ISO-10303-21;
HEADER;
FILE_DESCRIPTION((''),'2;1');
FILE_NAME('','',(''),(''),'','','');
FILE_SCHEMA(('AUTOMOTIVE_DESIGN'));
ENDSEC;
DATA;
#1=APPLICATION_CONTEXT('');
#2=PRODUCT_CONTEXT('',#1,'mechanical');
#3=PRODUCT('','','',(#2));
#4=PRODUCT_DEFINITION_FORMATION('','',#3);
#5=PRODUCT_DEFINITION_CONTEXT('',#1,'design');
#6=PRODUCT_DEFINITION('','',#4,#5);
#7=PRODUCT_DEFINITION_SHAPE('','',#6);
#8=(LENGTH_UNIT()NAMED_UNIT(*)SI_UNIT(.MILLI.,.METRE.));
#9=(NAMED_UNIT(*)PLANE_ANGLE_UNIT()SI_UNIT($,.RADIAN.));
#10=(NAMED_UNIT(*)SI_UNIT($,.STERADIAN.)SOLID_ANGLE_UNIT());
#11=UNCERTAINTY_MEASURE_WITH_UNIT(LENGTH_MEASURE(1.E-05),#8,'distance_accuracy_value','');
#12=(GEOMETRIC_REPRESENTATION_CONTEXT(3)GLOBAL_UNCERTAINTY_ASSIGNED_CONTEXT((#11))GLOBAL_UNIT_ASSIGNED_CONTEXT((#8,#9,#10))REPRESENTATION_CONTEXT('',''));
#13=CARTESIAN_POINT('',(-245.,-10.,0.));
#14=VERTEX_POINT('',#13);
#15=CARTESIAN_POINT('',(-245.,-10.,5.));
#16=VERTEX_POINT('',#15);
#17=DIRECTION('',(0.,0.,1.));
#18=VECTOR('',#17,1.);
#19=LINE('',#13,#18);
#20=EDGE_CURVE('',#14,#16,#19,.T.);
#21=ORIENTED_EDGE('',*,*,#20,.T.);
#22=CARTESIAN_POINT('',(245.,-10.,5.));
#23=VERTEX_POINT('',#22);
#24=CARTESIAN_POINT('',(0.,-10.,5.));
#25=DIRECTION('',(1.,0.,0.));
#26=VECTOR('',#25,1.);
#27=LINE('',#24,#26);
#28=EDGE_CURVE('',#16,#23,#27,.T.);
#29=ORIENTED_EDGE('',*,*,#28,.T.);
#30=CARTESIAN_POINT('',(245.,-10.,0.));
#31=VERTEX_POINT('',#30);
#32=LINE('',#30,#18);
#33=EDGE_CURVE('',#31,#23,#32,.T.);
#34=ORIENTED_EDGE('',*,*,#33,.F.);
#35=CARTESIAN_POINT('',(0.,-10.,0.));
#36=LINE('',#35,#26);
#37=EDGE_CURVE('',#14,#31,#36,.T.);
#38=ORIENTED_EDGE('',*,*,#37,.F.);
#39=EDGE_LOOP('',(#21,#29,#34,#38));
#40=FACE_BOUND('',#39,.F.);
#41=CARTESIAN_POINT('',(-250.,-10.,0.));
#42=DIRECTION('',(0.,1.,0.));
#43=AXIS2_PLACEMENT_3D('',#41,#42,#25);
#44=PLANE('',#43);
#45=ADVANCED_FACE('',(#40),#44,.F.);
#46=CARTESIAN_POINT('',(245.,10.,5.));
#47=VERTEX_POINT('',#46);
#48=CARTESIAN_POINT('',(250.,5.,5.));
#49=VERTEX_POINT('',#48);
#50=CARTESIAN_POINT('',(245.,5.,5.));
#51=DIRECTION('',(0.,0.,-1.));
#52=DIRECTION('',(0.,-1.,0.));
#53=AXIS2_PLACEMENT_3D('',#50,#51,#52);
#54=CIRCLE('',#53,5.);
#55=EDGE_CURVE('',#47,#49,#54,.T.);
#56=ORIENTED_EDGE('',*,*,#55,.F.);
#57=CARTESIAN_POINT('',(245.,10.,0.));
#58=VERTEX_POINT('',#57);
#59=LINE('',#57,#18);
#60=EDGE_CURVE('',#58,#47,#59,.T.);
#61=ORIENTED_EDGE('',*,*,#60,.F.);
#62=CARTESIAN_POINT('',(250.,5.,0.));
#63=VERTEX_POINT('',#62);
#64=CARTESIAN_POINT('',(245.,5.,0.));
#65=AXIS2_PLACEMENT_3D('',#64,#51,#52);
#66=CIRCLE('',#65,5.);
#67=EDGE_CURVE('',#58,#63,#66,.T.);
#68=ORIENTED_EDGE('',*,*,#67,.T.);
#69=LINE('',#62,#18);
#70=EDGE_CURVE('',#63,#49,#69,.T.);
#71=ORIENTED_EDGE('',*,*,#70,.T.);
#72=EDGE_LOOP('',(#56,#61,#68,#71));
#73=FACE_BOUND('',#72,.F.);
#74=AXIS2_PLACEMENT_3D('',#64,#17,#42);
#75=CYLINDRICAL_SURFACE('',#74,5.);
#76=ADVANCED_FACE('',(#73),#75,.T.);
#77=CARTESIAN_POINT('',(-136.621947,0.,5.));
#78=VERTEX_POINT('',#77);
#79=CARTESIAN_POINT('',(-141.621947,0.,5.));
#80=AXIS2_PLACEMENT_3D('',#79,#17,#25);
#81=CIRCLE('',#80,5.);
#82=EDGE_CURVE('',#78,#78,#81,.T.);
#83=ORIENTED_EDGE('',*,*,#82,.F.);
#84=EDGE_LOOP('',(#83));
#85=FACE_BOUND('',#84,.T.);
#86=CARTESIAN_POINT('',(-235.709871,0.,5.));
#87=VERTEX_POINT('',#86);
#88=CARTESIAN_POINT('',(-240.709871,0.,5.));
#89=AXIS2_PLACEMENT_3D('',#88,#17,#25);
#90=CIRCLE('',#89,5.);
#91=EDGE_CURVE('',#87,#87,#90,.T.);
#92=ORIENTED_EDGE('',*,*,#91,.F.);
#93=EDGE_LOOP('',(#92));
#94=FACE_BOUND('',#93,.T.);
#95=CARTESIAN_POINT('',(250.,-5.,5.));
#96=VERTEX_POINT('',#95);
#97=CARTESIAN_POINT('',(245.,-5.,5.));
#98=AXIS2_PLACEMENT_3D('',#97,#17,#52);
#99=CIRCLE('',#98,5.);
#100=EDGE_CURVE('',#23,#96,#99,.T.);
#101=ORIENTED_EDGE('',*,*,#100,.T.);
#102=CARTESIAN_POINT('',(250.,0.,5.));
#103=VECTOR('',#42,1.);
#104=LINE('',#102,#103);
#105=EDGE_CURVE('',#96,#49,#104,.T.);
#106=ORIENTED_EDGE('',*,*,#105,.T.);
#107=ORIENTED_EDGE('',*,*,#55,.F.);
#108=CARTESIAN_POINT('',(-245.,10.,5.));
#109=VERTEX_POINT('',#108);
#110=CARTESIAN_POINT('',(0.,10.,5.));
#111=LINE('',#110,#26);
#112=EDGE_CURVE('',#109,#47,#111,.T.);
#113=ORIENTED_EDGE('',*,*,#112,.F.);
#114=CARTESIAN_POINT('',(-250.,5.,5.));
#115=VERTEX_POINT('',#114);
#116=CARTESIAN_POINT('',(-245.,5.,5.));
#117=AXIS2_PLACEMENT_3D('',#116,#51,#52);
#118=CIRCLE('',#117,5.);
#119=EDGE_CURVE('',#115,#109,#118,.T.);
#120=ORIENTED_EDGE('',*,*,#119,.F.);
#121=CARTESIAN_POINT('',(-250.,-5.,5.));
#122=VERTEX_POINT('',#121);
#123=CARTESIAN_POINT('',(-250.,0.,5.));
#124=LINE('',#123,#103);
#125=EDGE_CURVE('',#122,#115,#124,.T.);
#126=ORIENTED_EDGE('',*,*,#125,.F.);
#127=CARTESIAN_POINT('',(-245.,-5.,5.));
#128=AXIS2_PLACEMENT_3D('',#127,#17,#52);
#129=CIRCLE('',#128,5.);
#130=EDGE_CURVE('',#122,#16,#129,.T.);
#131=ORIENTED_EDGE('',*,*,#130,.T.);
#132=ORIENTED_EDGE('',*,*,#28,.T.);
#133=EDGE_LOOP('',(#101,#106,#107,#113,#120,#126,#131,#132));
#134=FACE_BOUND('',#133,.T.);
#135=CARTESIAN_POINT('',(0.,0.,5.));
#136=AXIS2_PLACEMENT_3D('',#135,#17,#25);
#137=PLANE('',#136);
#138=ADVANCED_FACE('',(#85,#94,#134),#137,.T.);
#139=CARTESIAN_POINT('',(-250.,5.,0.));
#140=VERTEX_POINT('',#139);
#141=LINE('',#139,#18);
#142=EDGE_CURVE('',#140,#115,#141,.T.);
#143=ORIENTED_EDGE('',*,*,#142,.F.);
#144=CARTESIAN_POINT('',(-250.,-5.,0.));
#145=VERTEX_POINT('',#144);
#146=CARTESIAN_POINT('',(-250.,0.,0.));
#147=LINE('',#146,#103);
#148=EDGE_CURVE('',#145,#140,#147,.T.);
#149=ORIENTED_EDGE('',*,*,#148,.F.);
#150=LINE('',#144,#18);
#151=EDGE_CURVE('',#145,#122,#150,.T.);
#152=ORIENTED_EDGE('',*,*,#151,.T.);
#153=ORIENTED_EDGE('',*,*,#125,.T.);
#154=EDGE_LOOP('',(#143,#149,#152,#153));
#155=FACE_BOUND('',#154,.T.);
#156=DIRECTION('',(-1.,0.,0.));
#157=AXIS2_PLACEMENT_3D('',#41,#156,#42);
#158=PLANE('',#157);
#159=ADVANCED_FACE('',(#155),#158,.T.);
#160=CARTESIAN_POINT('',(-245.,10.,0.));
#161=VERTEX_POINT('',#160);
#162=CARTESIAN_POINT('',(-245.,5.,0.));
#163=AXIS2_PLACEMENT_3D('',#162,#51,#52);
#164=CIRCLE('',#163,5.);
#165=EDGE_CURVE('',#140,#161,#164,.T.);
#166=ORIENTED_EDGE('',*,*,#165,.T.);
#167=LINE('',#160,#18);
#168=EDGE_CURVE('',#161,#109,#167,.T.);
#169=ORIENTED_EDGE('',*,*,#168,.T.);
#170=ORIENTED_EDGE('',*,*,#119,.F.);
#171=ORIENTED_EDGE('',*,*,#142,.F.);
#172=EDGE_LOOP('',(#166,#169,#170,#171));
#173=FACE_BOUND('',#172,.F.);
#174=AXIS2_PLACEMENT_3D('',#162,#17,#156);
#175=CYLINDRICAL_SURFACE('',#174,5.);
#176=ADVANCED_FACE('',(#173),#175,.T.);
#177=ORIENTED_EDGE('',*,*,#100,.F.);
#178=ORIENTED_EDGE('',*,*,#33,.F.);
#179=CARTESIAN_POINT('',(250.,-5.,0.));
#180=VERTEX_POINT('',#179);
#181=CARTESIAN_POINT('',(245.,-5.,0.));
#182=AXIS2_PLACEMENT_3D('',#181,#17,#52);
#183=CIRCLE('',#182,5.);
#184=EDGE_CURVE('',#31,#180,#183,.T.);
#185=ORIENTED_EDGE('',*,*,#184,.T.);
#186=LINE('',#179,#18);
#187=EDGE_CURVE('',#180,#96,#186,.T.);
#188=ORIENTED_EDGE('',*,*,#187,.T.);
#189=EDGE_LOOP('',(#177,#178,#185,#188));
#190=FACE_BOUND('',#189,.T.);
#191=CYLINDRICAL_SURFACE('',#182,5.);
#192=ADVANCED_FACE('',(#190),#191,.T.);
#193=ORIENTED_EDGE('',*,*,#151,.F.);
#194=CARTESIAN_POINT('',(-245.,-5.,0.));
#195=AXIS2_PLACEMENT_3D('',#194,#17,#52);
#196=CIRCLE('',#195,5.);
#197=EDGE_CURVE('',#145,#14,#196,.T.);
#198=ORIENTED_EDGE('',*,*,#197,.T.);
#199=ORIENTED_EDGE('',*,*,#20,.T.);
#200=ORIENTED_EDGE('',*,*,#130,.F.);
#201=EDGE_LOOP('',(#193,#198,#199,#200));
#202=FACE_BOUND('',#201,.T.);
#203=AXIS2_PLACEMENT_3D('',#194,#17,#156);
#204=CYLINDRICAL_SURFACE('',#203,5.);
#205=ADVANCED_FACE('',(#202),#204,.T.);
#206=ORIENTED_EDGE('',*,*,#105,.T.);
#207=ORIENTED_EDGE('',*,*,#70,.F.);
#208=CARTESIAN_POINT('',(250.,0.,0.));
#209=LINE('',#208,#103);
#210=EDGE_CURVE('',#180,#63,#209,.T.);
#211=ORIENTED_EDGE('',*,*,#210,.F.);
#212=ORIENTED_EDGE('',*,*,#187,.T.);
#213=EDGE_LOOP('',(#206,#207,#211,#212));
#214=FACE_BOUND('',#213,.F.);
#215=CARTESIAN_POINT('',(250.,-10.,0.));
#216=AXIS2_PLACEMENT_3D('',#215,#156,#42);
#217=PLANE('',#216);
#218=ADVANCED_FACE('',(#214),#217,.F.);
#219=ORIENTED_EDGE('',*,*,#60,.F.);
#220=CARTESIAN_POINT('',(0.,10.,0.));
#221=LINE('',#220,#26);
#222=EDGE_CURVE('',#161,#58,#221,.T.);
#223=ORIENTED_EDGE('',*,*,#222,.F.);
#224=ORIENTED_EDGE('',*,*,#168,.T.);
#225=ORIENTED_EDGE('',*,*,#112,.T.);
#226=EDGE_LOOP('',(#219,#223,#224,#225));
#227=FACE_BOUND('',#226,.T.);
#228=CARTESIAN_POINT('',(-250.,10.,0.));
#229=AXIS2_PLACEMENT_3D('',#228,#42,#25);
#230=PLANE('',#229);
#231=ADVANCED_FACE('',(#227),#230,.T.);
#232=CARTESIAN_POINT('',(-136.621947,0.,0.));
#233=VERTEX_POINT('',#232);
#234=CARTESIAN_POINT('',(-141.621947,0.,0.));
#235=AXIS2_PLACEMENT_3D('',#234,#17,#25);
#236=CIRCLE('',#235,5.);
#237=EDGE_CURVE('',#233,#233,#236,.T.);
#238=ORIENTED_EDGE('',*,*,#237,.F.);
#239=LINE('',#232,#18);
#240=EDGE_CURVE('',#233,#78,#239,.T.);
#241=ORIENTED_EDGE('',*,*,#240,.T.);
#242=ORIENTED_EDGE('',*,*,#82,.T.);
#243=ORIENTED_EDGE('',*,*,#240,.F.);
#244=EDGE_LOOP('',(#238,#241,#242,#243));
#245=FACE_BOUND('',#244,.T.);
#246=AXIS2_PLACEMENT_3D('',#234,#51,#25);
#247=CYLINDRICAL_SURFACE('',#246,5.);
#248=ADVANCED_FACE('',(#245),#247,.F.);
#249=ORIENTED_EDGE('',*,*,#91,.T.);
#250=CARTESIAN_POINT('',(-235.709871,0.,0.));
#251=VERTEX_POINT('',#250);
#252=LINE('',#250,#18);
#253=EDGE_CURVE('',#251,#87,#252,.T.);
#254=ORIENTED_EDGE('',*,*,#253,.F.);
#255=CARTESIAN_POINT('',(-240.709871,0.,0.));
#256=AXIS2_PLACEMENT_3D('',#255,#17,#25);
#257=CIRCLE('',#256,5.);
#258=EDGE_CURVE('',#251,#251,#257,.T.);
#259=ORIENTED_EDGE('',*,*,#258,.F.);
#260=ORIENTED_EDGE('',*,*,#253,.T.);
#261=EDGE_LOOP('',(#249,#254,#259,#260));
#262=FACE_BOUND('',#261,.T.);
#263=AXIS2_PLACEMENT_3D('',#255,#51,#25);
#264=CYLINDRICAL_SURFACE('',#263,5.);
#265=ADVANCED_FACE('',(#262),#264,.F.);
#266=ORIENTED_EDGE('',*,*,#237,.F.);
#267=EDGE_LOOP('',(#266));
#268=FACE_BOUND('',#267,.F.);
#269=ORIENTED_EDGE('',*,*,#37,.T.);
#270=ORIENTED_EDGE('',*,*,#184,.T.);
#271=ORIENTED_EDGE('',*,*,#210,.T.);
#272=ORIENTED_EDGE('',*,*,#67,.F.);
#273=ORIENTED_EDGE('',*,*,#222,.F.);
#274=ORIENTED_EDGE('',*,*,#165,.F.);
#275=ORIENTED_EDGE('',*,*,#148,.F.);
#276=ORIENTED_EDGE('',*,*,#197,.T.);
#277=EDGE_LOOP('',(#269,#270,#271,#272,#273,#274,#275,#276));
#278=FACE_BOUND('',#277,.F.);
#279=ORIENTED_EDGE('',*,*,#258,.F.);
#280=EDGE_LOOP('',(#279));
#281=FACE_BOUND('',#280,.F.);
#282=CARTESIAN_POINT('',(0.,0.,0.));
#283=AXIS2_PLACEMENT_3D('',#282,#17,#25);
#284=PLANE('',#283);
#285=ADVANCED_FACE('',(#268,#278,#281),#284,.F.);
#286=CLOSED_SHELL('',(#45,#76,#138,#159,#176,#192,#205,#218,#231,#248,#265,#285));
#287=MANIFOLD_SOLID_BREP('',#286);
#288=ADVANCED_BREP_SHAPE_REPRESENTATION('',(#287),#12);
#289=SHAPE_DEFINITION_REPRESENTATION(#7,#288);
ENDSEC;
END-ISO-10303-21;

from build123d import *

# Parameters (mm, degrees)
F0_W     = 500
F0_H     = 20
F0_R     = 5
F1_DEPTH = 5
F2_R     = 5


with BuildPart() as f1:
    # F0 (on Top) → F1 (new body)
    with BuildSketch(Plane.XY):
        Rectangle(F0_W, F0_H)
        with Locations((-240.709871, 0)):
            Circle(F0_R, mode=Mode.SUBTRACT)
        with Locations((-141.621947, 0)):
            Circle(F0_R, mode=Mode.SUBTRACT)
    extrude(amount=F1_DEPTH)

    # F2
    f2_edges = [f1.edges().sort_by_distance(p)[0] for p in [
        (250, -10, 2.5),
        (250, 10, 2.5),
        (-250, -10, 2.5),
        (-250, 10, 2.5),
    ]]
    fillet(f2_edges, radius=F2_R)


solid = f1.part
